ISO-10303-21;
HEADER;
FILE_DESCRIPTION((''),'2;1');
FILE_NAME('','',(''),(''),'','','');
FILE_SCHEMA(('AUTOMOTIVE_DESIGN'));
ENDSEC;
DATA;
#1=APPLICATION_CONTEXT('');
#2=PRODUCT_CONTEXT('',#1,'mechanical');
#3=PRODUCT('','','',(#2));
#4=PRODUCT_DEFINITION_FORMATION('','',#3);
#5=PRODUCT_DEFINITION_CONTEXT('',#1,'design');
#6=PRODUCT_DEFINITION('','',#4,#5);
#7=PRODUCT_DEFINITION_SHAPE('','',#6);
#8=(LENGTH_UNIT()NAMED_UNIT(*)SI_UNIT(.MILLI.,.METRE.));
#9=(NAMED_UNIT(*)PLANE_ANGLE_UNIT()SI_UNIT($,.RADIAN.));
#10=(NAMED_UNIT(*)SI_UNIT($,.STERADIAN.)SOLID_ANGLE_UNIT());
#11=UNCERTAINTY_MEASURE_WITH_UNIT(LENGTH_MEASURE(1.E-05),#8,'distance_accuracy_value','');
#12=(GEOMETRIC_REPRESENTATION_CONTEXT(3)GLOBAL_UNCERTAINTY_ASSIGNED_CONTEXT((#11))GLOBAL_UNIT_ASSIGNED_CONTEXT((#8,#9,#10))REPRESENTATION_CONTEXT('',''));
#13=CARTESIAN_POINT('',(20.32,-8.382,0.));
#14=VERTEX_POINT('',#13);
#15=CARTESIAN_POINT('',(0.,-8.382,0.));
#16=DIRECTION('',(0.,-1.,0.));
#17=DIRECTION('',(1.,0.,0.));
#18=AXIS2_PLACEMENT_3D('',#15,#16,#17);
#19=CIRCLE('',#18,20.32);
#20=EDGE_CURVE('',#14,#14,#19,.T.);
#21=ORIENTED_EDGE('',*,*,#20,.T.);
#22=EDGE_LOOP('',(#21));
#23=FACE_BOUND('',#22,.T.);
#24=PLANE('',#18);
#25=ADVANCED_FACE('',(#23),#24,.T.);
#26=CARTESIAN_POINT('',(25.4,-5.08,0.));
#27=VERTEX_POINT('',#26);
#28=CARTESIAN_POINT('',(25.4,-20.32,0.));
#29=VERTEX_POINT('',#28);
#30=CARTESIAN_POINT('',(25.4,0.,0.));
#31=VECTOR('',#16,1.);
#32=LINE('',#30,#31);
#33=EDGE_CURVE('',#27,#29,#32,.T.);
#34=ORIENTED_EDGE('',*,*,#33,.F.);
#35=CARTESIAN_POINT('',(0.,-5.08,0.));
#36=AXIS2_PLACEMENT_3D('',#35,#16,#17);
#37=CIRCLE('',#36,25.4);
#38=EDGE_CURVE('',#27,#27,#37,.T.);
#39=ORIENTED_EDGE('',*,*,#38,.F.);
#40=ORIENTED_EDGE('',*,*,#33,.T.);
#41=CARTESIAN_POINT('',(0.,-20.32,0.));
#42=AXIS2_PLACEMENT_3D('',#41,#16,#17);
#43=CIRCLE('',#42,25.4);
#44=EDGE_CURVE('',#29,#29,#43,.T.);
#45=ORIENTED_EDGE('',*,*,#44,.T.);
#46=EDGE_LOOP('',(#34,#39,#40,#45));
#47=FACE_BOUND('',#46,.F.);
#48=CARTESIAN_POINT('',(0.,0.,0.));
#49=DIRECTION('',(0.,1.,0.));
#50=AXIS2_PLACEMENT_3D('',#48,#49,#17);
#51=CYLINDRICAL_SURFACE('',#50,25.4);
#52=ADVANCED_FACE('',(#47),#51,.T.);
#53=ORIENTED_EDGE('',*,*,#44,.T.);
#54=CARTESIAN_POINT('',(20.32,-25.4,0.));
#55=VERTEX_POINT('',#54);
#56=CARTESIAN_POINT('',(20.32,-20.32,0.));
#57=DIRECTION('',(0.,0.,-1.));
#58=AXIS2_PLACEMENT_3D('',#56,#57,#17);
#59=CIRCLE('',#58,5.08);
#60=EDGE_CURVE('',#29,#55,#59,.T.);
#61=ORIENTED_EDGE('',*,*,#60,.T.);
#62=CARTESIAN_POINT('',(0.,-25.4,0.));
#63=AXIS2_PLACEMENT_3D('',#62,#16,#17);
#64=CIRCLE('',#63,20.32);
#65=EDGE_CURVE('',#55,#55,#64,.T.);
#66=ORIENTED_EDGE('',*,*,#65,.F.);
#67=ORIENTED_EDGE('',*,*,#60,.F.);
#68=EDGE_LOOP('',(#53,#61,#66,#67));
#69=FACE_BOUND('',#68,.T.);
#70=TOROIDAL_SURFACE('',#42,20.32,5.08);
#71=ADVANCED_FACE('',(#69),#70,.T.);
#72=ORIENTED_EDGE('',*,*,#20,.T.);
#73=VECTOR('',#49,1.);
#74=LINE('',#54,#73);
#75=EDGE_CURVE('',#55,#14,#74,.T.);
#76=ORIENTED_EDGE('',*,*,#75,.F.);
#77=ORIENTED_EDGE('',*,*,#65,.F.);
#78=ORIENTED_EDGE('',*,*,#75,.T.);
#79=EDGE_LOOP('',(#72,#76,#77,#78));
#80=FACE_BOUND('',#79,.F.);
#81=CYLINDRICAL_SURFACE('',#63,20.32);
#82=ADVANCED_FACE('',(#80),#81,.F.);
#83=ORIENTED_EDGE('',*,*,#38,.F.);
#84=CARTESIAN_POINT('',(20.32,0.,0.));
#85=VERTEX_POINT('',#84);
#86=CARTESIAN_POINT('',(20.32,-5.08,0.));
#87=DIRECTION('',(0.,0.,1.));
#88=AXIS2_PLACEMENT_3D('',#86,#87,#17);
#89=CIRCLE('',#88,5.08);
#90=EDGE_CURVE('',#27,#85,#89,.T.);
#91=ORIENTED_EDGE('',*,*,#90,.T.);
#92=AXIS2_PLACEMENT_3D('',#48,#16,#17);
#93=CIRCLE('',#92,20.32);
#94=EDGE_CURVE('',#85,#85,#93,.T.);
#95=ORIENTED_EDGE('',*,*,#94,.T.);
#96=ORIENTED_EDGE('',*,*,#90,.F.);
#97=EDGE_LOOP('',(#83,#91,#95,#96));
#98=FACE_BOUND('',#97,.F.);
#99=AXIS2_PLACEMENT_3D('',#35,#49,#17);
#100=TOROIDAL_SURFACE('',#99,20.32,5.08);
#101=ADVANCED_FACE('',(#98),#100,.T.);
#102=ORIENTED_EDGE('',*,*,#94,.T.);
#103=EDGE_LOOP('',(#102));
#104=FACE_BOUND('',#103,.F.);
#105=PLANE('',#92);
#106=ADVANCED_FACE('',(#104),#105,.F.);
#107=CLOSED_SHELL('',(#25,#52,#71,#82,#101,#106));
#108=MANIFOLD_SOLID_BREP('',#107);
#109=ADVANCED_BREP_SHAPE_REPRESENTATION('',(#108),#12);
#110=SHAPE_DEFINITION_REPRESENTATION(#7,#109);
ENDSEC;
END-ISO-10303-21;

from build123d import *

# Parameters (mm, degrees)
F0_R      = 25.4
F1_DEPTH  = 25.4
F2_R      = 5.08
F1_FACE_R = 20.32
F3_DEPTH  = 17.018


with BuildPart() as f1:
    # F0 (on Front) → F1 (new body)
    with BuildSketch(Plane.XZ):
        Circle(F0_R)
    extrude(amount=F1_DEPTH)

    # F2
    f2_edges = [f1.edges().sort_by_distance(p)[0] for p in [
        (25.4, -12.7, 0),
        (-25.4, 0, 0),
        (-25.4, -25.4, 0),
    ]]
    fillet(f2_edges, radius=F2_R)

    # F1_face (on face) → F3 (cut)
    with BuildSketch(Plane.XZ.offset(25.4)):
        Circle(F1_FACE_R)
    extrude(amount=-F3_DEPTH, mode=Mode.SUBTRACT)


solid = f1.part
